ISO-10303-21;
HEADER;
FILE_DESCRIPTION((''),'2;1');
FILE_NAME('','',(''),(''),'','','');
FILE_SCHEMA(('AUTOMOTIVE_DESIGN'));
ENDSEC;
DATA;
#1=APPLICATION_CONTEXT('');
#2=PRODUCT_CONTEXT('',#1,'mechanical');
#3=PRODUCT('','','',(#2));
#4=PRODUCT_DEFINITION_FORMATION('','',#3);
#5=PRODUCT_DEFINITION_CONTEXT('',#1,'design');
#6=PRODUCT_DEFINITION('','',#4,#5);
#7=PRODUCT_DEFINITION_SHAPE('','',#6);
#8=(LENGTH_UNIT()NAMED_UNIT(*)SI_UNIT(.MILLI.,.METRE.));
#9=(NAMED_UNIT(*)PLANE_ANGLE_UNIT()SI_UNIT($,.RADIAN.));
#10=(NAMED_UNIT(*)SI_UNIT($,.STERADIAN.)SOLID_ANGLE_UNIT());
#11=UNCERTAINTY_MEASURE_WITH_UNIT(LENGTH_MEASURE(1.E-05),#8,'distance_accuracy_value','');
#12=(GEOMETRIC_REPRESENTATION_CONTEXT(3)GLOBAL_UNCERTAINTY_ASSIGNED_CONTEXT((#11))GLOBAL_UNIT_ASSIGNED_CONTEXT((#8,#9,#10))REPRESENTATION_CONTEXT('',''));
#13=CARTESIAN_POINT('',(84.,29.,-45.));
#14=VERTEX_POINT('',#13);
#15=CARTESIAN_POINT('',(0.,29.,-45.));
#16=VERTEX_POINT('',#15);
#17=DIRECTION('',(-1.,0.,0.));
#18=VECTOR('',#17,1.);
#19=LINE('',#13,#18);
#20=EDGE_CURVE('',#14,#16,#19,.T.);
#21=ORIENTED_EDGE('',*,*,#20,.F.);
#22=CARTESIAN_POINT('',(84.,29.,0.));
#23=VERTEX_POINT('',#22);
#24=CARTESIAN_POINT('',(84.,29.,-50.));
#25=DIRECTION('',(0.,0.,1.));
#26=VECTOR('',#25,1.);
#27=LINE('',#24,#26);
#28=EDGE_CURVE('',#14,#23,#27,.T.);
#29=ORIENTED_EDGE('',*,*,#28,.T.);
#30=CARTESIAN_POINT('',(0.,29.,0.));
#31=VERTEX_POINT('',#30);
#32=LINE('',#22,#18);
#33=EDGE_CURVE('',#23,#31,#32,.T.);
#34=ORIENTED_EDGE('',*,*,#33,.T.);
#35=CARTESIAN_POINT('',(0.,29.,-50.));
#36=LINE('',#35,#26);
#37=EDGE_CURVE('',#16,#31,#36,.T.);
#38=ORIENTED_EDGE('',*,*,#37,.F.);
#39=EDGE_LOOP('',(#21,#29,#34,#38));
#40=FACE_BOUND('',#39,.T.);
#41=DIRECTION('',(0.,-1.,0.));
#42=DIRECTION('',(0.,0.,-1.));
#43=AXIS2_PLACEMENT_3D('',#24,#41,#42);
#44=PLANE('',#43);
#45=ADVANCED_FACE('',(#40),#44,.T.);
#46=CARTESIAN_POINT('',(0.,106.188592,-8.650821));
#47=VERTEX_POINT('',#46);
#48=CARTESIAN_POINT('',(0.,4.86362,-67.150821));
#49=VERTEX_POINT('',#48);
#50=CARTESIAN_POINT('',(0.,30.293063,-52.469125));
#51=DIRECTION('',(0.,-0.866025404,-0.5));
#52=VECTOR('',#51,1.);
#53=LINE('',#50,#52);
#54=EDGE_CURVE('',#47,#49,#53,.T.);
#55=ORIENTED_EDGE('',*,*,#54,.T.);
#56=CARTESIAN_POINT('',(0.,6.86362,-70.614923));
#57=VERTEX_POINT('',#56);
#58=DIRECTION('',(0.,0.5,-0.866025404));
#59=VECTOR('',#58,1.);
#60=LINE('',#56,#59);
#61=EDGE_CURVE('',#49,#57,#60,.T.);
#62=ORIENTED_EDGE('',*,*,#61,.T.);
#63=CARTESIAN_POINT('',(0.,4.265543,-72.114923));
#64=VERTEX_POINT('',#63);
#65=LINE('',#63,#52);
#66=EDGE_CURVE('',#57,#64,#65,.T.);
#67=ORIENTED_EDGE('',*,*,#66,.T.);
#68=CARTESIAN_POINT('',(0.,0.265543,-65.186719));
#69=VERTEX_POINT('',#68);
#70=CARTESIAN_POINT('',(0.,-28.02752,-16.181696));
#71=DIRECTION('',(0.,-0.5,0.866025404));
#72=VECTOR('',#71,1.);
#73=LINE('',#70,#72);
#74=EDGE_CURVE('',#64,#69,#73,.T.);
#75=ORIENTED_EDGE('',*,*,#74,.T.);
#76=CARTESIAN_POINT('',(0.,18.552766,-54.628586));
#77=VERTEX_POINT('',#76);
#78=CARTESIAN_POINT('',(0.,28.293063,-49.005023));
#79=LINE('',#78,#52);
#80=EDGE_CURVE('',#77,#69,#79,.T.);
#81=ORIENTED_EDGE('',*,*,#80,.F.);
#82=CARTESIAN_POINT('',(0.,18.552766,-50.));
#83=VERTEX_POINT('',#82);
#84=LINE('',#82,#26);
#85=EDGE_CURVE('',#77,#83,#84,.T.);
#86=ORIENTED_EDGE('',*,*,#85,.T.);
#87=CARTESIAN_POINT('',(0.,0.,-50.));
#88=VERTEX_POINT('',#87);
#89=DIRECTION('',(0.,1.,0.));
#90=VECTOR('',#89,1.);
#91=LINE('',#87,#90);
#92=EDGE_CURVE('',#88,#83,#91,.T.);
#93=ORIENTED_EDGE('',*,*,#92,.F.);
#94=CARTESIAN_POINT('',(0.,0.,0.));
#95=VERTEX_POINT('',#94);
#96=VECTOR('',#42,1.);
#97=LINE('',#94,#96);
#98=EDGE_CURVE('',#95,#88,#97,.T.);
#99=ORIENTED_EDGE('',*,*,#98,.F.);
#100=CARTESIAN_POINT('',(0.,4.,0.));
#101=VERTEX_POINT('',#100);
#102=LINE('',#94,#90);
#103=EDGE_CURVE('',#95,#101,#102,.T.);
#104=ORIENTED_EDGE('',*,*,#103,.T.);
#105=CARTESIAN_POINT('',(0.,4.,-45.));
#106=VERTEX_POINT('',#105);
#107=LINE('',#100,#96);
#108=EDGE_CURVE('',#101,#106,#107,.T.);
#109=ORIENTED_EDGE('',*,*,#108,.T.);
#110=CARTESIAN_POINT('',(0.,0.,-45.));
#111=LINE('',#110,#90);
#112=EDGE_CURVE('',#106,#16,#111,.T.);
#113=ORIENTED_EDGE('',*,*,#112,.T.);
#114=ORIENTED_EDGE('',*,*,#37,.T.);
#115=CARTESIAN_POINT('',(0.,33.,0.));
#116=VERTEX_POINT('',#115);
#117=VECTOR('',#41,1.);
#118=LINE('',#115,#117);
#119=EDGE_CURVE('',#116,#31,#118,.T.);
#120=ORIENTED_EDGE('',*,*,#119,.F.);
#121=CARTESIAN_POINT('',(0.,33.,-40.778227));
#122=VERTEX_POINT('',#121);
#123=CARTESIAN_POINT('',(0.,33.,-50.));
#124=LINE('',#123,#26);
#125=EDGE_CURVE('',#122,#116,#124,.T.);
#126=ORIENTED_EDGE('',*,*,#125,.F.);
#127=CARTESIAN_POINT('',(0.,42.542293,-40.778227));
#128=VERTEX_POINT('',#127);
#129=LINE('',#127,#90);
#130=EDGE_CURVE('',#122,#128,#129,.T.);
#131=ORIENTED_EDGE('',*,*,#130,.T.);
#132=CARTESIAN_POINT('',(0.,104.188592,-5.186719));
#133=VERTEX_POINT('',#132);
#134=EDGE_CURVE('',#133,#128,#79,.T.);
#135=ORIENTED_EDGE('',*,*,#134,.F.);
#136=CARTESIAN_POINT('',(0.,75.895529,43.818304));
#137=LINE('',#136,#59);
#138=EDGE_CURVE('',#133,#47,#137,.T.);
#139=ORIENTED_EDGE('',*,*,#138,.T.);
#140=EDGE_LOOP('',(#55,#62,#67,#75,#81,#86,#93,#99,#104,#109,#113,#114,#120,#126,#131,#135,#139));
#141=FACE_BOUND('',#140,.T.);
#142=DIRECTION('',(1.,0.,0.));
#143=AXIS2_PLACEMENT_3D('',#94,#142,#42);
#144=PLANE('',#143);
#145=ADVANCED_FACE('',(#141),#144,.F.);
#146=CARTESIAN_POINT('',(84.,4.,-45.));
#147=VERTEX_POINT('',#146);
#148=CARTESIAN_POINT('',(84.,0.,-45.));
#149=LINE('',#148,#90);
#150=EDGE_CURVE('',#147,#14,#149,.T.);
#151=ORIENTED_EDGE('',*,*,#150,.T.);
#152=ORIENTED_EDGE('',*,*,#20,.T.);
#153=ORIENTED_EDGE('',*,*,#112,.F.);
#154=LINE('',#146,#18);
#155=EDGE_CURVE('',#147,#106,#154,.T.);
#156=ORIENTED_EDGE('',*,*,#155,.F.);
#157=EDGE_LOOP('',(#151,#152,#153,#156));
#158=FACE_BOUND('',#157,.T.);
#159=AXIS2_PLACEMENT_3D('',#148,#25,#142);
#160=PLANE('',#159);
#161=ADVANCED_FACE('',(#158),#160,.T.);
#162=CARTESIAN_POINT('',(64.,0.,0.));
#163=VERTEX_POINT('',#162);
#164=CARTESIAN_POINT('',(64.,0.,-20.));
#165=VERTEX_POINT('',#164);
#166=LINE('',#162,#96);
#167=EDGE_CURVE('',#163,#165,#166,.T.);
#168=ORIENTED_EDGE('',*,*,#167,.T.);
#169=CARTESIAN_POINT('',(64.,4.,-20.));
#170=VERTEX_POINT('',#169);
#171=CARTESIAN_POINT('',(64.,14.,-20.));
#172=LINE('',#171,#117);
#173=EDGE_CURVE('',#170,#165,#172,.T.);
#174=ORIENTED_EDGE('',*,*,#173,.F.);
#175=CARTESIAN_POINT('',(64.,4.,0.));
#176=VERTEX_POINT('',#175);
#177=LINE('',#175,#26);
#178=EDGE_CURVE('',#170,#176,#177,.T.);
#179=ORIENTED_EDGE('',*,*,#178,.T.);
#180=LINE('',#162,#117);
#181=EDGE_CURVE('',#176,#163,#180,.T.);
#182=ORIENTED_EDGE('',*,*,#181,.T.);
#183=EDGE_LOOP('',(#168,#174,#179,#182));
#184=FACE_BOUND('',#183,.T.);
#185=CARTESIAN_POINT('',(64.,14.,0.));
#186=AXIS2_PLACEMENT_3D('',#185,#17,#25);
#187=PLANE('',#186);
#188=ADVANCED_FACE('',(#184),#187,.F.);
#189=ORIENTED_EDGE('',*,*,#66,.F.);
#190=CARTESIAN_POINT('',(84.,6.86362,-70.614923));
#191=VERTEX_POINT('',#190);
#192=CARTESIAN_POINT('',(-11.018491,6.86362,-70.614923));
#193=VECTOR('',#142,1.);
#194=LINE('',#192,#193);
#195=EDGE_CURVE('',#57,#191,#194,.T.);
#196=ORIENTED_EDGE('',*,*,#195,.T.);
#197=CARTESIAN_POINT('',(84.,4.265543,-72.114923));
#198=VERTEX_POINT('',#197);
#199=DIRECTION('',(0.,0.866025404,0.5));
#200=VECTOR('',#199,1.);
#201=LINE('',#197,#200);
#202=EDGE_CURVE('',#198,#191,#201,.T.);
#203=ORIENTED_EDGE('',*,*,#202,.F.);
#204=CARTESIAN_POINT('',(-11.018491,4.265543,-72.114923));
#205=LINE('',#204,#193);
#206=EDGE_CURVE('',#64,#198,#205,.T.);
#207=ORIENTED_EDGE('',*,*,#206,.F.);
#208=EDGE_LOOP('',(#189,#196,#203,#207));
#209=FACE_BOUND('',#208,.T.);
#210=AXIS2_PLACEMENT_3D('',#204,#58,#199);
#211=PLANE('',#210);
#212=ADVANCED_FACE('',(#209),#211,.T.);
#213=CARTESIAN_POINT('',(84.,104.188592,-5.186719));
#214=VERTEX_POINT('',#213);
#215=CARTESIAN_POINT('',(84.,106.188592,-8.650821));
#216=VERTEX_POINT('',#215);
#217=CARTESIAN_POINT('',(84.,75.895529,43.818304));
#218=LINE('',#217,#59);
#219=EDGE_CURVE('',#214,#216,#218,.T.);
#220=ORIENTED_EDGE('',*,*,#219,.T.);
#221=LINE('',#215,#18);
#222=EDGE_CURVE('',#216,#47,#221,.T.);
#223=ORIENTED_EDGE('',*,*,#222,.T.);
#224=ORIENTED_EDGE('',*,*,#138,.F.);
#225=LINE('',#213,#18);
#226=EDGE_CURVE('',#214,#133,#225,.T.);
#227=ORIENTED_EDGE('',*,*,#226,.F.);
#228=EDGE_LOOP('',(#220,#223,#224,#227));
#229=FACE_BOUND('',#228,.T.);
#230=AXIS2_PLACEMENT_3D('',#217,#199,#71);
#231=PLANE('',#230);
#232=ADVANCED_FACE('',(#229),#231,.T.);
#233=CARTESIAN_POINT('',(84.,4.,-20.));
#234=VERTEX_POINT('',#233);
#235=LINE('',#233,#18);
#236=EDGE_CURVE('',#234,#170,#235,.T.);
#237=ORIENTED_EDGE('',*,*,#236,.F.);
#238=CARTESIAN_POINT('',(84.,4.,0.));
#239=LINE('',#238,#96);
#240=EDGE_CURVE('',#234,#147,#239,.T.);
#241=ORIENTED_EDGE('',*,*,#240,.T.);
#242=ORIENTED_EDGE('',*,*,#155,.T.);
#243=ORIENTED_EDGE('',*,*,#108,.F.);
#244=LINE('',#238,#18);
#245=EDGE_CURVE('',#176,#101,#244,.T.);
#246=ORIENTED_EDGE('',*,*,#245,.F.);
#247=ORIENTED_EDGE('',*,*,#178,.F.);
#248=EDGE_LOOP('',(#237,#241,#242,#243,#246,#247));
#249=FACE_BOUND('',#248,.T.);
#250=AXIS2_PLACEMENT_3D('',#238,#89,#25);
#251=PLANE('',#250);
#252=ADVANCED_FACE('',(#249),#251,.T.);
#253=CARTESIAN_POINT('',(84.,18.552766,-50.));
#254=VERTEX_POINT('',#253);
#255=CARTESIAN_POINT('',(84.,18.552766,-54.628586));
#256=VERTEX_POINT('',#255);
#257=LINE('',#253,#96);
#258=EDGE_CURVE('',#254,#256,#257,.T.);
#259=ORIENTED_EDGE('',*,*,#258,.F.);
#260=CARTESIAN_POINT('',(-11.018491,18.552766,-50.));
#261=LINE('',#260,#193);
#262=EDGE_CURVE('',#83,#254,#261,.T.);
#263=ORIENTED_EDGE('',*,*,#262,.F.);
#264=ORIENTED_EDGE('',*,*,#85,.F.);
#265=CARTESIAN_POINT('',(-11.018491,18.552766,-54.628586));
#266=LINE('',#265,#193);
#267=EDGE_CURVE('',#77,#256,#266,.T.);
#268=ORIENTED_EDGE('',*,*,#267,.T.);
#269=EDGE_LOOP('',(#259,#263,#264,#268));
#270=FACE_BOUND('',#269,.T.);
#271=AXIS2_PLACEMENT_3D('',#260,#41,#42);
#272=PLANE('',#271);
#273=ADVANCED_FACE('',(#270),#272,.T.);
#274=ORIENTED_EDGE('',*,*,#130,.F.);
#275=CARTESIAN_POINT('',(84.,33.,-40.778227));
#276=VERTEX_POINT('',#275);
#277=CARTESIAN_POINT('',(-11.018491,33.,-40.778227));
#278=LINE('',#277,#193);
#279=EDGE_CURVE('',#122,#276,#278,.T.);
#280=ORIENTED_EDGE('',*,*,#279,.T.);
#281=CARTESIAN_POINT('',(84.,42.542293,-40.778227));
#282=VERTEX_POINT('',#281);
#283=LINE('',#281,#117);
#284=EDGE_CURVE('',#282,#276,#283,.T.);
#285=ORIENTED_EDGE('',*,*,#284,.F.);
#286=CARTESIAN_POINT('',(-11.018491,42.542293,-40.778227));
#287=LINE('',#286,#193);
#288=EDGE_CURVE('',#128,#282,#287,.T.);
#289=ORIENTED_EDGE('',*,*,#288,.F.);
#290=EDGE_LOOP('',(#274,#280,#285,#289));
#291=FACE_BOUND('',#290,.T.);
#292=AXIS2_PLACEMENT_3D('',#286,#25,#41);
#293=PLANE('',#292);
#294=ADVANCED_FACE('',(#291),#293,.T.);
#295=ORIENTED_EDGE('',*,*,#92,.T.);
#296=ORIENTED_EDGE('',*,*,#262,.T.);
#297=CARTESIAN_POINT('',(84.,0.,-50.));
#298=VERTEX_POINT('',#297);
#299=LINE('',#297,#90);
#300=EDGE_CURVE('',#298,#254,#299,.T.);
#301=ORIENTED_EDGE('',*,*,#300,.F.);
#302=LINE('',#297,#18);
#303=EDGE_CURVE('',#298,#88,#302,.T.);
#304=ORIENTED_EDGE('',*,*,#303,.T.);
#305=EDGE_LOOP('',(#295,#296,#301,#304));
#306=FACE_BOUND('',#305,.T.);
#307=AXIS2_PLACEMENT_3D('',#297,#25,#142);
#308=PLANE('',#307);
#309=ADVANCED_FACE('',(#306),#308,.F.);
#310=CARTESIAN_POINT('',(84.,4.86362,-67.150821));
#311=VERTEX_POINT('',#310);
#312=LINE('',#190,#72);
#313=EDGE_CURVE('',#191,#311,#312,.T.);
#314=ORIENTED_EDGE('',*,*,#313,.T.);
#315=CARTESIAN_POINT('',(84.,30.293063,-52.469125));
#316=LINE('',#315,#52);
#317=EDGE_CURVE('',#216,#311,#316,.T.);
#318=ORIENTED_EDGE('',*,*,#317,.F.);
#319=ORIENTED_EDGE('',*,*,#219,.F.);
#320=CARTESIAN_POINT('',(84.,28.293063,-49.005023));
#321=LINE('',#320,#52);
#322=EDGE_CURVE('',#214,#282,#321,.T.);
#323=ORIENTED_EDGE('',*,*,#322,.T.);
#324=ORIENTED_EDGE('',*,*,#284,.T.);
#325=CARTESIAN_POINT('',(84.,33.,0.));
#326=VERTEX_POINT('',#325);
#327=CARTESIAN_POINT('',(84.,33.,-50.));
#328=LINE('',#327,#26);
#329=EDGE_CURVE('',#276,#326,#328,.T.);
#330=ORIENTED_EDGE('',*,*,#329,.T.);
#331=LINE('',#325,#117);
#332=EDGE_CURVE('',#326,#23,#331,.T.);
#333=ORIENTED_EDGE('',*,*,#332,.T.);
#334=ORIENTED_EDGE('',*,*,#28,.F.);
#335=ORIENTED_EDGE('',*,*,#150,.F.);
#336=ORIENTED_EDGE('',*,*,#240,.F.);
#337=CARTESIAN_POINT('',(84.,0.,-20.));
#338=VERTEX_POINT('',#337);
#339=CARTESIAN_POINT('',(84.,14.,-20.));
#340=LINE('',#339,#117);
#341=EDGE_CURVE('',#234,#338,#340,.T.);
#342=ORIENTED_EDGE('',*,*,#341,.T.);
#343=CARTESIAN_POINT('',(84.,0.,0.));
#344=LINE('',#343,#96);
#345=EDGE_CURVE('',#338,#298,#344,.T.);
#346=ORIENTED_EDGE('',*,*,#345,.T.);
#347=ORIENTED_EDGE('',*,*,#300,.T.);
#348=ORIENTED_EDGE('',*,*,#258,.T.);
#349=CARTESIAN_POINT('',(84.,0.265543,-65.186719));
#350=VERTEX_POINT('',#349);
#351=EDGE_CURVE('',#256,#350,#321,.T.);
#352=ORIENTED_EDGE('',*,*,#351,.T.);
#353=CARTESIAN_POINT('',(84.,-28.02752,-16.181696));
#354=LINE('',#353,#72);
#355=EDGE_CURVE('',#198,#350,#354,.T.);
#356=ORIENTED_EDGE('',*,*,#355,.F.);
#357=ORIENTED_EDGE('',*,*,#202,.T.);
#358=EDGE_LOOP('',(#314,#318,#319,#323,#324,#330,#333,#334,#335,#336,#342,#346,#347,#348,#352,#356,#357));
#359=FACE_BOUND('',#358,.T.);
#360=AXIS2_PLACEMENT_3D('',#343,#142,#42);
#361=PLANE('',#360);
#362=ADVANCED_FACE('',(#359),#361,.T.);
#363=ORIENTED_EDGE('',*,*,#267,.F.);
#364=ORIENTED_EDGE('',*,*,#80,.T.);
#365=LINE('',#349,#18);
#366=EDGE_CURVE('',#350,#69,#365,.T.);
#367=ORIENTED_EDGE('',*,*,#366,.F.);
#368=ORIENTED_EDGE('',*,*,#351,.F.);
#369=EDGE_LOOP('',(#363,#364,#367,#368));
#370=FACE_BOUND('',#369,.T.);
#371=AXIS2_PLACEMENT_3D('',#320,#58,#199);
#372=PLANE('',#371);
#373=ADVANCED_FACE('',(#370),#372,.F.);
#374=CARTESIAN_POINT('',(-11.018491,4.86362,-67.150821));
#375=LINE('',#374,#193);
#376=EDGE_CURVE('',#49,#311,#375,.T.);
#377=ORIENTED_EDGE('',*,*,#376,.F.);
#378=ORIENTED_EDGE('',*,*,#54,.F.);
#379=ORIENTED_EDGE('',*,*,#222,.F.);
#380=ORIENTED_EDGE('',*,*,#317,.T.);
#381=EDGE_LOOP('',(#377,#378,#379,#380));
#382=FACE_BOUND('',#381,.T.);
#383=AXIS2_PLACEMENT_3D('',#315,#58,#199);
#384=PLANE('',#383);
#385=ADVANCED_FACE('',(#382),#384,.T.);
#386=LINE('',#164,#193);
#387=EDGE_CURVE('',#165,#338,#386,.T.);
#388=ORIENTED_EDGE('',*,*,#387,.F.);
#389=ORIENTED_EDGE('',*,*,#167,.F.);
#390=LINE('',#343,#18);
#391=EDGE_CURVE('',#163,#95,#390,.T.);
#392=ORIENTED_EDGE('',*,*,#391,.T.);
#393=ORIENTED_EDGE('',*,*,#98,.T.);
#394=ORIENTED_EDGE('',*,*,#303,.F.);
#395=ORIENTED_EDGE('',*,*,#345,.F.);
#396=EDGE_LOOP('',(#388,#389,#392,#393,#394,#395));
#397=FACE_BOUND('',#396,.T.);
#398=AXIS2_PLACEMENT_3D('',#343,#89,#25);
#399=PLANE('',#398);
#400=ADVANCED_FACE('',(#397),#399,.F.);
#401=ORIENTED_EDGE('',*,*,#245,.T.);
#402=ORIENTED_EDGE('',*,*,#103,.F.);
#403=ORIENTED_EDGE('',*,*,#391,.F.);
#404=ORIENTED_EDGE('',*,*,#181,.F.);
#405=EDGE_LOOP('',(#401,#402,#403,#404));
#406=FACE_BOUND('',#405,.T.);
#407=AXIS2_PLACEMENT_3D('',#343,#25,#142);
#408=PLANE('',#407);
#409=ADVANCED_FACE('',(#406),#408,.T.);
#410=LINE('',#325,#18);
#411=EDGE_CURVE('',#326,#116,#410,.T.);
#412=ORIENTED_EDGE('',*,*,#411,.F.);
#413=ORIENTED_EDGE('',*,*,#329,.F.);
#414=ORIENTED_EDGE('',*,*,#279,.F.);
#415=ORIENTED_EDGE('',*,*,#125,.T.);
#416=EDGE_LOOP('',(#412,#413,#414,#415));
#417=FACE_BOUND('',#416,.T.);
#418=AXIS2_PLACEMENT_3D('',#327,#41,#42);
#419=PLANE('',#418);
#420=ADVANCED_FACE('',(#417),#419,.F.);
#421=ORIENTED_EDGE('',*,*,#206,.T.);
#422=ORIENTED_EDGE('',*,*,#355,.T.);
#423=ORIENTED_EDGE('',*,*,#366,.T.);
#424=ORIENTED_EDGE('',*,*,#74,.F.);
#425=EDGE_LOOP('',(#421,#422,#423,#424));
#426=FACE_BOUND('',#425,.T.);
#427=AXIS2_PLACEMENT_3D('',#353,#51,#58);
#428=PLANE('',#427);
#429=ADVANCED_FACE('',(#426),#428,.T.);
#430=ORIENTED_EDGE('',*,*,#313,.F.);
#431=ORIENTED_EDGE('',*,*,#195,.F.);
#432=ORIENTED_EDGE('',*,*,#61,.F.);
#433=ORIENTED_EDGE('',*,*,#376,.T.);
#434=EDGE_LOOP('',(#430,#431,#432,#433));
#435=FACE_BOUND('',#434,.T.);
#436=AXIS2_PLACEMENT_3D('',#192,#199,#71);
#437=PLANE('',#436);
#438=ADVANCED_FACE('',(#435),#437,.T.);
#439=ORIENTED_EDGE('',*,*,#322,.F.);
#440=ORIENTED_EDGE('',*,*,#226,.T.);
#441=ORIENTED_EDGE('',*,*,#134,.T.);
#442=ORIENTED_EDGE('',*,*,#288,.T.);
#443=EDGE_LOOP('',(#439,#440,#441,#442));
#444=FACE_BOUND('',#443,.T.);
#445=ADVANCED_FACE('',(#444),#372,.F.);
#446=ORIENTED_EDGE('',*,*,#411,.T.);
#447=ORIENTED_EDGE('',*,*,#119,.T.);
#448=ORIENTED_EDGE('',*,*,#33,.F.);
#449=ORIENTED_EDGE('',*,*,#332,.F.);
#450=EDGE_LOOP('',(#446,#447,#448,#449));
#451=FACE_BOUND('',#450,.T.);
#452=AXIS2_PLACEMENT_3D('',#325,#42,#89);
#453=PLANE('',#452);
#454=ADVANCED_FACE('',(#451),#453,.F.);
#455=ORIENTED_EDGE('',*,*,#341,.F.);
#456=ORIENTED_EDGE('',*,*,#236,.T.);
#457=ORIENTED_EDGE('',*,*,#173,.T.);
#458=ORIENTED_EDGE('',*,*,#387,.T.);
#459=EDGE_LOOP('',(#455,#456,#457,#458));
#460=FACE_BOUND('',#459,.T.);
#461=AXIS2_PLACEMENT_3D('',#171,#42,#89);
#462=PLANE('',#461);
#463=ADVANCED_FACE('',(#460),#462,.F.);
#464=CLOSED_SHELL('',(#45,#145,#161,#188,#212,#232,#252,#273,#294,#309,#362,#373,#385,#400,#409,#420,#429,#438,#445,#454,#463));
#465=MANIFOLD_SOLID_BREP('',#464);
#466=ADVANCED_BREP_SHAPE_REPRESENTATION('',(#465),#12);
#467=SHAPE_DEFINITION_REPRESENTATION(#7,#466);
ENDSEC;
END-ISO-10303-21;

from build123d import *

# Parameters (mm, degrees)
SKETCH_1_W          = 45
SKETCH_1_H          = 4
SKETCH_1_W_2        = 5
EXTRUDE_1_DEPTH     = 84
SKETCH_2_W          = 20
SKETCH_2_H          = 20
CUT_EXTRUDE_1_DEPTH = 14
EXTRUDE_2_DEPTH     = 84


with BuildPart() as part:
    # Эскиз1 → Бобышка-Вытянуть1 (new body)
    with BuildSketch(Plane(origin=(0, 0, 0), x_dir=(0, 0, -1), z_dir=(1, 0, 0))):
        with Locations((22.5, 2)):
            Rectangle(SKETCH_1_W, SKETCH_1_H)
        with Locations((47.5, 2)):
            Rectangle(SKETCH_1_W_2, SKETCH_1_H)
        Polygon((45, 29), (45, 4), (50, 4), (50, 26.569712745), (48.596872999, 29), align=None)
        with Locations((22.5, 31)):
            Rectangle(SKETCH_1_W, SKETCH_1_H)
        Polygon((45, 33), (45, 29), (48.596872999, 29), (46.287471923, 33), align=None)
        Polygon((48.596872999, 29), (50, 26.569712745), (50, 29), align=None)
        Polygon((50, 29), (50, 26.569712745), (65.186719292, 0.265543331), (68.650820907, 2.265543331), (8.650820907, 106.188591785), (5.186719292, 104.188591785), (46.287471923, 33), (50, 33), align=None)
        Polygon((46.287471923, 33), (48.596872999, 29), (50, 29), (50, 33), align=None)
    extrude(amount=EXTRUDE_1_DEPTH)

    # Эскиз2 → Вырез-Вытянуть1 (cut)
    with BuildSketch(Plane.XZ):
        with Locations((74, -10)):
            Rectangle(SKETCH_2_W, SKETCH_2_H)
    extrude(amount=-CUT_EXTRUDE_1_DEPTH, mode=Mode.SUBTRACT)

    # Эскиз3 → Бобышка-Вытянуть2 (add)
    with BuildSketch(Plane(origin=(84, 0, 0), x_dir=(0, 0, -1), z_dir=(1, 0, 0))):
        Polygon((68.650820907, 2.265543331), (72.114922522, 4.265543331), (70.614922522, 6.863619543), (67.150820907, 4.863619543), align=None)
        Polygon((40.778226629, 42.54229276), (40.778226629, 33), (46.287471923, 33), align=None)
        Polygon((50, 26.569712745), (50, 18.552766001), (54.628586361, 18.552766001), align=None)
    extrude(amount=-EXTRUDE_2_DEPTH)


solid = part.part
